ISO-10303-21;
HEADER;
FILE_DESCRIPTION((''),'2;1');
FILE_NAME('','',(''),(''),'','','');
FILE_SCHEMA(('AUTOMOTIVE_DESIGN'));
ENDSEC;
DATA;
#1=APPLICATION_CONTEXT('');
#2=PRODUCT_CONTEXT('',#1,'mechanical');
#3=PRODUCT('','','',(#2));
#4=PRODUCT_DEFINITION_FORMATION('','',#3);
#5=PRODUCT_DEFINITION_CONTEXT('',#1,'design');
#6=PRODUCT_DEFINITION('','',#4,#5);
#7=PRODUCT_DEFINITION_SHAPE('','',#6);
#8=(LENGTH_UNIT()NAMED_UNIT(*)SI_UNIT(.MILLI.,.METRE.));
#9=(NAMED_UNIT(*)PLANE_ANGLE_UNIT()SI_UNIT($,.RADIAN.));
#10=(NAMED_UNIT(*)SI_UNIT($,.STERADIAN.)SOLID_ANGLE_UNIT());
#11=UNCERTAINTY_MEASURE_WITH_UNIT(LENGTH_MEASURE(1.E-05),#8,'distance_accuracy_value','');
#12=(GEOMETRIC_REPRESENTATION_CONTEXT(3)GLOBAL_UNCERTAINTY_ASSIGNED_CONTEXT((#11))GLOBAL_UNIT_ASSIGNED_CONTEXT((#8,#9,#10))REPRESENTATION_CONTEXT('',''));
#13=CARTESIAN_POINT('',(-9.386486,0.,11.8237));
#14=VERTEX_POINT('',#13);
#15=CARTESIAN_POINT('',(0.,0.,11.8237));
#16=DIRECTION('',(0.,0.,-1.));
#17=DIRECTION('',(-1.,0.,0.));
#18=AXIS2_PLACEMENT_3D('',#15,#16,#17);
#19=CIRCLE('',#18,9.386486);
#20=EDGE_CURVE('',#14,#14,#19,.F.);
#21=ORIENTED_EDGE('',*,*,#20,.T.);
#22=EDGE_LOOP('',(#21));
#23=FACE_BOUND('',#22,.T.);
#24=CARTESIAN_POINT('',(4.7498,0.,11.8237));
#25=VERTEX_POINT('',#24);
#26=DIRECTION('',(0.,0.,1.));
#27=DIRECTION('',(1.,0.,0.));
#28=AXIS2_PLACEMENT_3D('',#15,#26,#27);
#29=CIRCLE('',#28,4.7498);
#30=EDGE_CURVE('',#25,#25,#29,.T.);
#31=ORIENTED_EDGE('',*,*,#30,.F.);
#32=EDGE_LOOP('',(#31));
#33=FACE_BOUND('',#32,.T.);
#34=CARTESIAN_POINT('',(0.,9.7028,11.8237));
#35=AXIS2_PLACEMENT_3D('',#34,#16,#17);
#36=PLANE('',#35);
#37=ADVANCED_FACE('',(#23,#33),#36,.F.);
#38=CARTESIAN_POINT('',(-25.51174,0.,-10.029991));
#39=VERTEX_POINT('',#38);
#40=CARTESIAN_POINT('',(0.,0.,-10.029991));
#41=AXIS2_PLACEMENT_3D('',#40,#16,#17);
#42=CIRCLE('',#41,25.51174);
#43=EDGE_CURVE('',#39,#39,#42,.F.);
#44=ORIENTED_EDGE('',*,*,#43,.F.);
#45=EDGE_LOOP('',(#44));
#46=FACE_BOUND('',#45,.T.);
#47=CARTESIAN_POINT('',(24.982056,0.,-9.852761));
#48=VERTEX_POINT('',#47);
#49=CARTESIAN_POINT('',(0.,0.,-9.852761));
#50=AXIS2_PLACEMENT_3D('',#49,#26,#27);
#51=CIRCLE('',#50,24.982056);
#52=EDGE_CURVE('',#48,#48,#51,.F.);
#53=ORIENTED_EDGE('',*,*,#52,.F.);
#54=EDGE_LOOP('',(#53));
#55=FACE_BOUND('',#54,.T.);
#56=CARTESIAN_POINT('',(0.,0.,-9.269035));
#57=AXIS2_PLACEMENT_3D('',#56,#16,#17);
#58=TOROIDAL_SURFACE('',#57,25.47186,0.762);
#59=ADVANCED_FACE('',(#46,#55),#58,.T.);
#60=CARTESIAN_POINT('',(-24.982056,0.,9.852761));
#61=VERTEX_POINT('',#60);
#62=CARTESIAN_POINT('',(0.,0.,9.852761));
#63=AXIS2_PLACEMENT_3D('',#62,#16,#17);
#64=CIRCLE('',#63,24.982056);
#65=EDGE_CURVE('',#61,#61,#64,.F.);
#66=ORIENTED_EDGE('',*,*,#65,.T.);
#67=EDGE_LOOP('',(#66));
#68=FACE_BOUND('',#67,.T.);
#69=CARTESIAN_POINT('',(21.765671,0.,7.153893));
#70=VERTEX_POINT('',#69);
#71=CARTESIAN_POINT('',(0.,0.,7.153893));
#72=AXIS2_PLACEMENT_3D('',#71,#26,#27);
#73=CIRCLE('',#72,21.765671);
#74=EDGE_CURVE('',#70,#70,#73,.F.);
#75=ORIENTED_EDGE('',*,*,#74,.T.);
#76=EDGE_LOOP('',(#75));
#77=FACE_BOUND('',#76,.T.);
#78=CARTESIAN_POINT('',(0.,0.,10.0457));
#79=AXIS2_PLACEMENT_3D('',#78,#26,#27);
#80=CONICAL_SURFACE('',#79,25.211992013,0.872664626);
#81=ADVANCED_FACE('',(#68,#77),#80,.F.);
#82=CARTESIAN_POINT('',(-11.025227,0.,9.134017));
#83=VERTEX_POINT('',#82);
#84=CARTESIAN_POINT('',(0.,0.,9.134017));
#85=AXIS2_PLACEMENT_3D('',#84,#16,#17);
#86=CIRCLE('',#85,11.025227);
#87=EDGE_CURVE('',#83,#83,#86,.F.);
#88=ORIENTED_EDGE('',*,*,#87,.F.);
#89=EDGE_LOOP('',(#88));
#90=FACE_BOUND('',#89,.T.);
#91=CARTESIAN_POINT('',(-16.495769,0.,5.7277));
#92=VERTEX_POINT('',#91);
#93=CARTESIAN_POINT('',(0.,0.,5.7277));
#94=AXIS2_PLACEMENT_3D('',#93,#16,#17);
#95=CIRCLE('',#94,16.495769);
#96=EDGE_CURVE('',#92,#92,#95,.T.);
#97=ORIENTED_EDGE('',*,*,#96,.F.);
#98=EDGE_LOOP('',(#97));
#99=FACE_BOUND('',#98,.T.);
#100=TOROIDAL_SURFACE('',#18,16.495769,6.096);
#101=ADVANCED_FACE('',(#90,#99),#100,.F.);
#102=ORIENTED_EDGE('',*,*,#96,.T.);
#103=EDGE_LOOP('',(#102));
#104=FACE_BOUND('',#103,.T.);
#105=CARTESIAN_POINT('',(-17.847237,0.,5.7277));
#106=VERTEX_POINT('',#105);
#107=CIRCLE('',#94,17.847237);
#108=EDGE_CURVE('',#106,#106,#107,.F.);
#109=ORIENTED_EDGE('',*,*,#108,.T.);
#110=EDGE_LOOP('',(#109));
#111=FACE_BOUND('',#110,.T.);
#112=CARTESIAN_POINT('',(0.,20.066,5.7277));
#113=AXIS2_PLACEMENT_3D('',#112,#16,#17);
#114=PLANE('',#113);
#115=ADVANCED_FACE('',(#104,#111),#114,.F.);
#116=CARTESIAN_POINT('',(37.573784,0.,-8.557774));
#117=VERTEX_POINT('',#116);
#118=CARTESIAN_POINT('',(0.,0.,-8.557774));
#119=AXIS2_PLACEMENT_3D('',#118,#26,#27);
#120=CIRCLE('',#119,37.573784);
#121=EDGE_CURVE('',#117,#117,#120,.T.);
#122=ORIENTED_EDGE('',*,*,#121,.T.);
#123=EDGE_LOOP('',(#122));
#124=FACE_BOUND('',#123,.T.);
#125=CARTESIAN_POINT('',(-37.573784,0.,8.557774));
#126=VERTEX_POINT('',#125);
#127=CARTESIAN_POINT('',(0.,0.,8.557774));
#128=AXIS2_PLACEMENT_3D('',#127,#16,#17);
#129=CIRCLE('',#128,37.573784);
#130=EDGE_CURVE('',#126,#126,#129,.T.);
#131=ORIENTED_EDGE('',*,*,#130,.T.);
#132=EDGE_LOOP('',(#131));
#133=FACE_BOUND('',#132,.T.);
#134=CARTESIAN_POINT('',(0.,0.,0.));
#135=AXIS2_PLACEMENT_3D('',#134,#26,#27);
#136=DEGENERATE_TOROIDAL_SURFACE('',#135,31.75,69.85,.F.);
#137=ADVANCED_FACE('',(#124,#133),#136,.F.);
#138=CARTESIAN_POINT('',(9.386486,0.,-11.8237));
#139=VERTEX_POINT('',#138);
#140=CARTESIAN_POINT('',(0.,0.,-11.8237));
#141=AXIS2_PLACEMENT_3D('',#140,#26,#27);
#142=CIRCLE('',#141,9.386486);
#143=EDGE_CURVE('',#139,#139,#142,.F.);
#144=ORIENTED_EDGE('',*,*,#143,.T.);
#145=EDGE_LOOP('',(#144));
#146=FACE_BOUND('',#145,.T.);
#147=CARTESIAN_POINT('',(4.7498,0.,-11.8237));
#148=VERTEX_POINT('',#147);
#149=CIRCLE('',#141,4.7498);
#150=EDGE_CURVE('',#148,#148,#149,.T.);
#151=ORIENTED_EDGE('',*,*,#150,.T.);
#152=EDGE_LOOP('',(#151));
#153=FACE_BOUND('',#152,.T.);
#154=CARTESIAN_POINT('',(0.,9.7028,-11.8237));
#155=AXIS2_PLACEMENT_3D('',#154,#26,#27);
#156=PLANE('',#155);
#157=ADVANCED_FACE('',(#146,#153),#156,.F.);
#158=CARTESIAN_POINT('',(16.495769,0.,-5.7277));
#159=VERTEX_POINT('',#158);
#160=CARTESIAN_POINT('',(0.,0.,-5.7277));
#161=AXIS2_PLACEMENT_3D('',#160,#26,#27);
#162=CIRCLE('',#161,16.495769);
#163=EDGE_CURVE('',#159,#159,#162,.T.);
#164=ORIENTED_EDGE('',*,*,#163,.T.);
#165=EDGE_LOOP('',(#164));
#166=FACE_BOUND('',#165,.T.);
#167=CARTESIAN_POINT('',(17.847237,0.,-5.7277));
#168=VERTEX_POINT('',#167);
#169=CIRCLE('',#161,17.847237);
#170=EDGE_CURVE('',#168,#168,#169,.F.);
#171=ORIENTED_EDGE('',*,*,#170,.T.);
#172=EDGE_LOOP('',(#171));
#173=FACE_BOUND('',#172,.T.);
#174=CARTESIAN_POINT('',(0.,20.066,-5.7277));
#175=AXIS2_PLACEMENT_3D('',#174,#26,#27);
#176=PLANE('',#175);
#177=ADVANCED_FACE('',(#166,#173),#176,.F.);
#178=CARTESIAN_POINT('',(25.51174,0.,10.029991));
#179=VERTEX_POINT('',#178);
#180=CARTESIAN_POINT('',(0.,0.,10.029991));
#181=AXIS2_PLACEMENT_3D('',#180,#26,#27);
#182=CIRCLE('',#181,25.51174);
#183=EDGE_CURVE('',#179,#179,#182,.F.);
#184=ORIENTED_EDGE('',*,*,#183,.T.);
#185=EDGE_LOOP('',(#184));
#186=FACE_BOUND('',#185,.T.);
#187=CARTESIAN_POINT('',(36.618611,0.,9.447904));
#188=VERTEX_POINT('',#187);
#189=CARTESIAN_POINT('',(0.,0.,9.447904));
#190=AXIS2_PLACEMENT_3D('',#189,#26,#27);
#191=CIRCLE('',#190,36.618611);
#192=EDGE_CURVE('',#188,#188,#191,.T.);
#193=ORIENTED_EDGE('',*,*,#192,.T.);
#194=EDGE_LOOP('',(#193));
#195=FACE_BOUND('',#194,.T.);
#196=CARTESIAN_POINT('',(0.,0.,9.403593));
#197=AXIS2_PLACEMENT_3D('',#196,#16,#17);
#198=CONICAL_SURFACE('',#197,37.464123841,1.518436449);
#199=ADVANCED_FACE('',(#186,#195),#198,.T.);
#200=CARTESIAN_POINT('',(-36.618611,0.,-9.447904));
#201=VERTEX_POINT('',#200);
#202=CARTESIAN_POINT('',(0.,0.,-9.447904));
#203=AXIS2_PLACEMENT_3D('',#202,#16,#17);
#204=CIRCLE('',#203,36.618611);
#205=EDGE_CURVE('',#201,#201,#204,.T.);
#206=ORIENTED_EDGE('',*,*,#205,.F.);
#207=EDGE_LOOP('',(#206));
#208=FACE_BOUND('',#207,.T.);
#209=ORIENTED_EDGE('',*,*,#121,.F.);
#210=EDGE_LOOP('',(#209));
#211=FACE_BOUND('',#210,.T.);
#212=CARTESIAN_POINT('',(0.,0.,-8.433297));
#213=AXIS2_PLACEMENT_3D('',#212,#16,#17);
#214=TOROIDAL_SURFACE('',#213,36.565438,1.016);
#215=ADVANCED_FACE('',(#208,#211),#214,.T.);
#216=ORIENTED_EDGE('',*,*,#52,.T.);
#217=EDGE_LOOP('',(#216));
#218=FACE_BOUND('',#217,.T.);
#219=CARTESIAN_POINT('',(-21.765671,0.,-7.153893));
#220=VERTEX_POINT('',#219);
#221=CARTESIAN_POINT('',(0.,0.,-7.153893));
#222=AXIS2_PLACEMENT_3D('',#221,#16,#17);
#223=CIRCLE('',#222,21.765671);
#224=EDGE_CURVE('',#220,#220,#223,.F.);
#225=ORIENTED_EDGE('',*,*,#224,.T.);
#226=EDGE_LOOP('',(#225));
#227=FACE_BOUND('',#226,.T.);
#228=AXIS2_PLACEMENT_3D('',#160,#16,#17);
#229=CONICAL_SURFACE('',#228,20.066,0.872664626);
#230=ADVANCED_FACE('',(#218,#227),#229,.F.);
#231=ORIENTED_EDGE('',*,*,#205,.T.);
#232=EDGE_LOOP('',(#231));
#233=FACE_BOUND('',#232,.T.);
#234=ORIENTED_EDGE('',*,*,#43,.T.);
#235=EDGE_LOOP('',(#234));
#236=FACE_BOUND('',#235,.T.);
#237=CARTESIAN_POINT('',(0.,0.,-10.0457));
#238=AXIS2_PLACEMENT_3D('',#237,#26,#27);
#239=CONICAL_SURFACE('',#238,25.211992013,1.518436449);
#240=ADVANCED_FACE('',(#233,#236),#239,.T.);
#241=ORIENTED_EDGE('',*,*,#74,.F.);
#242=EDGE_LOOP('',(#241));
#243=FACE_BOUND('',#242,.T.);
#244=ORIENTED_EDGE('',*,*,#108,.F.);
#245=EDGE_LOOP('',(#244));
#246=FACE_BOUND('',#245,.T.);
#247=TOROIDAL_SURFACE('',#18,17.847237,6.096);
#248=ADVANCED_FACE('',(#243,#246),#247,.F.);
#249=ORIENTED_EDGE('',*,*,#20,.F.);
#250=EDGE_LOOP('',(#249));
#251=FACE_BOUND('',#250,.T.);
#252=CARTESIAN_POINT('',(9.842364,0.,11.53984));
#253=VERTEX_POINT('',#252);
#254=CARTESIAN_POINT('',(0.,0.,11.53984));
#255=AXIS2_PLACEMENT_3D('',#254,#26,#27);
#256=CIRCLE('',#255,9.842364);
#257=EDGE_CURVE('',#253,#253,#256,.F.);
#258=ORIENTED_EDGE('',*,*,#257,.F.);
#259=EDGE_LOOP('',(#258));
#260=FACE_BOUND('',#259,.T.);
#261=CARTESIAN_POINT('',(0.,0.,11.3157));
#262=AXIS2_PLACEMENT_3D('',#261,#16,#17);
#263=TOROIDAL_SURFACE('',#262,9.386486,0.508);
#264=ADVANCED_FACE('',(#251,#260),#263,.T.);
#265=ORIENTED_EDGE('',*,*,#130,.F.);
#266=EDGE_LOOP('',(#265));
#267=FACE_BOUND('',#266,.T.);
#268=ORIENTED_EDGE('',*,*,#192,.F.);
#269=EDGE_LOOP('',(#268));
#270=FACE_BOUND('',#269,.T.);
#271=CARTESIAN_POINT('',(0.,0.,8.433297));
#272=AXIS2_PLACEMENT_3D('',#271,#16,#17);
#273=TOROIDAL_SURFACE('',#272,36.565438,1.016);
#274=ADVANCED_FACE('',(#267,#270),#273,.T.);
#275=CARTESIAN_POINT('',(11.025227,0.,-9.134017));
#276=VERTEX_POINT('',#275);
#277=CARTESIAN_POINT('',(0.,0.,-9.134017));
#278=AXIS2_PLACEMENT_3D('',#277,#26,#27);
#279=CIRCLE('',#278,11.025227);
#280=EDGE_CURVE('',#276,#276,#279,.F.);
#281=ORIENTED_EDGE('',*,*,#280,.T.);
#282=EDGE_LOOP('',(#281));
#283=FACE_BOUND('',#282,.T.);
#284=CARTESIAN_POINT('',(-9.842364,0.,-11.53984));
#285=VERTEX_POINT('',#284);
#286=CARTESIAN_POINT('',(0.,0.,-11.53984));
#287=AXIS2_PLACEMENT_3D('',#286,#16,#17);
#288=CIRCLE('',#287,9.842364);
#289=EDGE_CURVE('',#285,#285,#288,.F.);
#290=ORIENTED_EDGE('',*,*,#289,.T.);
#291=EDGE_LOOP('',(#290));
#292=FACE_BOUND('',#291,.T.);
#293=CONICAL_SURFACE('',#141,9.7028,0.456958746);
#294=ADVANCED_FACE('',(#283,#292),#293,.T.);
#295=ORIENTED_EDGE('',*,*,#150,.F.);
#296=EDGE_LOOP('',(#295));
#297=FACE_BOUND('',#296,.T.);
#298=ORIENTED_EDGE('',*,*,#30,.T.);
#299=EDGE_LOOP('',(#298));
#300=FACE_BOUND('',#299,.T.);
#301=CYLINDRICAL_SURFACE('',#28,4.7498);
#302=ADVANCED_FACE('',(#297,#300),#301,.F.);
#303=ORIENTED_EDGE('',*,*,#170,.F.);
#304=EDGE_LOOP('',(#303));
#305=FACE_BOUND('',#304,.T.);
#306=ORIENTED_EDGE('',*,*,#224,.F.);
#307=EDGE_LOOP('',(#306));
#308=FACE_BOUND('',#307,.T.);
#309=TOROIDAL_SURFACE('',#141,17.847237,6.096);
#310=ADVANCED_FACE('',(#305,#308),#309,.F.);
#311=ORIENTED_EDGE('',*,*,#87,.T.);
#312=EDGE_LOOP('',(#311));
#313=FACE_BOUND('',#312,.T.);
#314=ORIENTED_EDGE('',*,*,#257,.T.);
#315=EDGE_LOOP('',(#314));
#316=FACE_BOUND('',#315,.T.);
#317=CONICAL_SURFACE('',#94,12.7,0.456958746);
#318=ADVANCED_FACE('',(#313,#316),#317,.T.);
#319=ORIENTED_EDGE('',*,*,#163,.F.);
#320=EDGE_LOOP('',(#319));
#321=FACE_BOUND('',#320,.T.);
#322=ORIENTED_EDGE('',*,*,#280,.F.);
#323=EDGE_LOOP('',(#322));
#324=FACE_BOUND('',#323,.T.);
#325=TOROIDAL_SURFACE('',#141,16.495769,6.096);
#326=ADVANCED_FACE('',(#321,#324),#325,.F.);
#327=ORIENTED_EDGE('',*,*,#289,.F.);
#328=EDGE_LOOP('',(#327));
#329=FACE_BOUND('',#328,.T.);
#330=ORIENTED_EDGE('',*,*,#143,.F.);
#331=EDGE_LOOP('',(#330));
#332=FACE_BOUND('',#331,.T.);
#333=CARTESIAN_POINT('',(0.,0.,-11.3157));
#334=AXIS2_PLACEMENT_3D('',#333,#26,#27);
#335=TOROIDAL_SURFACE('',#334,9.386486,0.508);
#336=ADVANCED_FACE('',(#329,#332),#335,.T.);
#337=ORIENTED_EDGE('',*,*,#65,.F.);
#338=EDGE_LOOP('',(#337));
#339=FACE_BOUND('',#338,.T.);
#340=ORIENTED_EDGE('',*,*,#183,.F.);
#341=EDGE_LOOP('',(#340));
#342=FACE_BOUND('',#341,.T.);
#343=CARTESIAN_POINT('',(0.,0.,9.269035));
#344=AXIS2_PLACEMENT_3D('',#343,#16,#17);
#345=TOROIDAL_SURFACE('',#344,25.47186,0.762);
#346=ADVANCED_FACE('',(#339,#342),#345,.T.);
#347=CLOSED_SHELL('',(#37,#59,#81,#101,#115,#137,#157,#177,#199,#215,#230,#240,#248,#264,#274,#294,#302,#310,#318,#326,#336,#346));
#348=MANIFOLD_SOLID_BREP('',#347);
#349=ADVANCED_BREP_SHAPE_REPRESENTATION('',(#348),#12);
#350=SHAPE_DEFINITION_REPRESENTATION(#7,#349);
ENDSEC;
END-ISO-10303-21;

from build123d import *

# Parameters (mm, degrees)
SKETCH3_W               = 23.6474
SKETCH3_H               = 4.7498
SKETCH6_W               = 23.6474
SKETCH6_H               = 4.7498
CUT_EXTRUDE1_DEPTH      = 56.163574004
CUT_EXTRUDE1_DEPTH_BACK = 56.163574004
SKETCH4_R               = 3.175
FILLET1_R               = 1.016
FILLET2_R               = 6.096
FILLET3_R               = 0.762
FILLET4_R               = 0.508
SKETCH10_R              = 4.7498
CUT_EXTRUDE2_DEPTH      = 59.842327809


with BuildPart() as part:
    # Sketch2 → Revolve1 (revolve)
    with BuildSketch(Plane(origin=(0, 0, 0), x_dir=(0, 0, -1), z_dir=(1, 0, 0)), mode=Mode.PRIVATE) as revolve1_sk:
        with BuildLine():
            Line((10.0457, 25.211992013), (5.7277, 20.066))
            Line((5.7277, 20.066), (5.7277, 12.7))
            Line((5.7277, 12.7), (11.8237, 9.7028))
            Line((11.8237, 9.7028), (11.8237, 0))
            Line((11.8237, 0), (-11.8237, 0))
            Line((-11.8237, 0), (-11.8237, 9.7028))
            Line((-11.8237, 9.7028), (-5.7277, 12.7))
            Line((-5.7277, 12.7), (-5.7277, 20.066))
            Line((-5.7277, 20.066), (-10.0457, 25.211992013))
            Line((-10.0457, 25.211992013), (-9.403592979, 37.464123841))
            ThreePointArc((-9.403592979, 37.464123841), (0, 38.1), (9.403592979, 37.464123841))
            Line((9.403592979, 37.464123841), (10.0457, 25.211992013))
        make_face()
    revolve(revolve1_sk.sketch.rotate(Axis((0, 0, 11.8237), (0, 0, -1)), 90), axis=Axis((0, 0, 11.8237), (0, 0, -1)))

    # Sketch6 → Cut-Revolve1 (revolve, cut)
    with BuildSketch(Plane(origin=(0, 0, 0), x_dir=(0, 0, -1), z_dir=(1, 0, 0)), mode=Mode.PRIVATE) as cut_revolve1_sk:
        with Locations((0, 2.3749)):
            Rectangle(SKETCH6_W, SKETCH6_H)
    revolve(cut_revolve1_sk.sketch.rotate(Axis((0, 0, 11.8237), (0, 0, -1)), 90), axis=Axis((0, 0, 11.8237), (0, 0, -1)), mode=Mode.SUBTRACT)

    # Fillet1
    fillet1_edges = [part.edges().sort_by_distance(p)[0] for p in [
        (-37.464123841, 0, -9.403592979),
        (-37.464123841, 0, 9.403592979),
    ]]
    fillet(fillet1_edges, radius=FILLET1_R)

    # Fillet2
    fillet2_edges = [part.edges().sort_by_distance(p)[0] for p in [
        (-20.066, 0, 5.7277),
        (-12.7, 0, 5.7277),
        (-12.7, 0, -5.7277),
        (-20.066, 0, -5.7277),
    ]]
    fillet(fillet2_edges, radius=FILLET2_R)

    # Fillet3
    fillet3_edges = [part.edges().sort_by_distance(p)[0] for p in [
        (-25.211992013, 0, -10.0457),
        (-25.211992013, 0, 10.0457),
    ]]
    fillet(fillet3_edges, radius=FILLET3_R)

    # Fillet4
    fillet4_edges = [part.edges().sort_by_distance(p)[0] for p in [
        (-9.7028, 0, 11.8237),
        (-9.7028, 0, -11.8237),
    ]]
    fillet(fillet4_edges, radius=FILLET4_R)


with BuildPart() as body_2:
    # Sketch3 → Revolve2 (revolve)
    with BuildSketch(Plane(origin=(0, 0, 0), x_dir=(0, 0, -1), z_dir=(1, 0, 0)), mode=Mode.PRIVATE) as revolve2_sk:
        with Locations((0, 2.3749)):
            Rectangle(SKETCH3_W, SKETCH3_H)
    revolve(revolve2_sk.sketch.rotate(Axis((0, 0, 11.8237), (0, 0, -1)), 90), axis=Axis((0, 0, 11.8237), (0, 0, -1)))

    # Sketch4 → Cut-Extrude1 (cut, two sides: drawn at the far end of the back side and taken through both)
    with BuildSketch(Plane.XY.offset(-CUT_EXTRUDE1_DEPTH_BACK)):
        Circle(SKETCH4_R)
    extrude(amount=CUT_EXTRUDE1_DEPTH + CUT_EXTRUDE1_DEPTH_BACK, mode=Mode.SUBTRACT)

    # Sketch10 → Cut-Extrude2 (cut, through all)
    with BuildSketch(Plane(origin=(0, 0, -11.8237), x_dir=(-1, 0, 0), z_dir=(0, 0, -1))):
        with Locations(Location((0, 0, 0), (0, 0, 180))):
            Circle(SKETCH10_R)
    extrude(amount=-CUT_EXTRUDE2_DEPTH, mode=Mode.SUBTRACT)


solid = part.part
